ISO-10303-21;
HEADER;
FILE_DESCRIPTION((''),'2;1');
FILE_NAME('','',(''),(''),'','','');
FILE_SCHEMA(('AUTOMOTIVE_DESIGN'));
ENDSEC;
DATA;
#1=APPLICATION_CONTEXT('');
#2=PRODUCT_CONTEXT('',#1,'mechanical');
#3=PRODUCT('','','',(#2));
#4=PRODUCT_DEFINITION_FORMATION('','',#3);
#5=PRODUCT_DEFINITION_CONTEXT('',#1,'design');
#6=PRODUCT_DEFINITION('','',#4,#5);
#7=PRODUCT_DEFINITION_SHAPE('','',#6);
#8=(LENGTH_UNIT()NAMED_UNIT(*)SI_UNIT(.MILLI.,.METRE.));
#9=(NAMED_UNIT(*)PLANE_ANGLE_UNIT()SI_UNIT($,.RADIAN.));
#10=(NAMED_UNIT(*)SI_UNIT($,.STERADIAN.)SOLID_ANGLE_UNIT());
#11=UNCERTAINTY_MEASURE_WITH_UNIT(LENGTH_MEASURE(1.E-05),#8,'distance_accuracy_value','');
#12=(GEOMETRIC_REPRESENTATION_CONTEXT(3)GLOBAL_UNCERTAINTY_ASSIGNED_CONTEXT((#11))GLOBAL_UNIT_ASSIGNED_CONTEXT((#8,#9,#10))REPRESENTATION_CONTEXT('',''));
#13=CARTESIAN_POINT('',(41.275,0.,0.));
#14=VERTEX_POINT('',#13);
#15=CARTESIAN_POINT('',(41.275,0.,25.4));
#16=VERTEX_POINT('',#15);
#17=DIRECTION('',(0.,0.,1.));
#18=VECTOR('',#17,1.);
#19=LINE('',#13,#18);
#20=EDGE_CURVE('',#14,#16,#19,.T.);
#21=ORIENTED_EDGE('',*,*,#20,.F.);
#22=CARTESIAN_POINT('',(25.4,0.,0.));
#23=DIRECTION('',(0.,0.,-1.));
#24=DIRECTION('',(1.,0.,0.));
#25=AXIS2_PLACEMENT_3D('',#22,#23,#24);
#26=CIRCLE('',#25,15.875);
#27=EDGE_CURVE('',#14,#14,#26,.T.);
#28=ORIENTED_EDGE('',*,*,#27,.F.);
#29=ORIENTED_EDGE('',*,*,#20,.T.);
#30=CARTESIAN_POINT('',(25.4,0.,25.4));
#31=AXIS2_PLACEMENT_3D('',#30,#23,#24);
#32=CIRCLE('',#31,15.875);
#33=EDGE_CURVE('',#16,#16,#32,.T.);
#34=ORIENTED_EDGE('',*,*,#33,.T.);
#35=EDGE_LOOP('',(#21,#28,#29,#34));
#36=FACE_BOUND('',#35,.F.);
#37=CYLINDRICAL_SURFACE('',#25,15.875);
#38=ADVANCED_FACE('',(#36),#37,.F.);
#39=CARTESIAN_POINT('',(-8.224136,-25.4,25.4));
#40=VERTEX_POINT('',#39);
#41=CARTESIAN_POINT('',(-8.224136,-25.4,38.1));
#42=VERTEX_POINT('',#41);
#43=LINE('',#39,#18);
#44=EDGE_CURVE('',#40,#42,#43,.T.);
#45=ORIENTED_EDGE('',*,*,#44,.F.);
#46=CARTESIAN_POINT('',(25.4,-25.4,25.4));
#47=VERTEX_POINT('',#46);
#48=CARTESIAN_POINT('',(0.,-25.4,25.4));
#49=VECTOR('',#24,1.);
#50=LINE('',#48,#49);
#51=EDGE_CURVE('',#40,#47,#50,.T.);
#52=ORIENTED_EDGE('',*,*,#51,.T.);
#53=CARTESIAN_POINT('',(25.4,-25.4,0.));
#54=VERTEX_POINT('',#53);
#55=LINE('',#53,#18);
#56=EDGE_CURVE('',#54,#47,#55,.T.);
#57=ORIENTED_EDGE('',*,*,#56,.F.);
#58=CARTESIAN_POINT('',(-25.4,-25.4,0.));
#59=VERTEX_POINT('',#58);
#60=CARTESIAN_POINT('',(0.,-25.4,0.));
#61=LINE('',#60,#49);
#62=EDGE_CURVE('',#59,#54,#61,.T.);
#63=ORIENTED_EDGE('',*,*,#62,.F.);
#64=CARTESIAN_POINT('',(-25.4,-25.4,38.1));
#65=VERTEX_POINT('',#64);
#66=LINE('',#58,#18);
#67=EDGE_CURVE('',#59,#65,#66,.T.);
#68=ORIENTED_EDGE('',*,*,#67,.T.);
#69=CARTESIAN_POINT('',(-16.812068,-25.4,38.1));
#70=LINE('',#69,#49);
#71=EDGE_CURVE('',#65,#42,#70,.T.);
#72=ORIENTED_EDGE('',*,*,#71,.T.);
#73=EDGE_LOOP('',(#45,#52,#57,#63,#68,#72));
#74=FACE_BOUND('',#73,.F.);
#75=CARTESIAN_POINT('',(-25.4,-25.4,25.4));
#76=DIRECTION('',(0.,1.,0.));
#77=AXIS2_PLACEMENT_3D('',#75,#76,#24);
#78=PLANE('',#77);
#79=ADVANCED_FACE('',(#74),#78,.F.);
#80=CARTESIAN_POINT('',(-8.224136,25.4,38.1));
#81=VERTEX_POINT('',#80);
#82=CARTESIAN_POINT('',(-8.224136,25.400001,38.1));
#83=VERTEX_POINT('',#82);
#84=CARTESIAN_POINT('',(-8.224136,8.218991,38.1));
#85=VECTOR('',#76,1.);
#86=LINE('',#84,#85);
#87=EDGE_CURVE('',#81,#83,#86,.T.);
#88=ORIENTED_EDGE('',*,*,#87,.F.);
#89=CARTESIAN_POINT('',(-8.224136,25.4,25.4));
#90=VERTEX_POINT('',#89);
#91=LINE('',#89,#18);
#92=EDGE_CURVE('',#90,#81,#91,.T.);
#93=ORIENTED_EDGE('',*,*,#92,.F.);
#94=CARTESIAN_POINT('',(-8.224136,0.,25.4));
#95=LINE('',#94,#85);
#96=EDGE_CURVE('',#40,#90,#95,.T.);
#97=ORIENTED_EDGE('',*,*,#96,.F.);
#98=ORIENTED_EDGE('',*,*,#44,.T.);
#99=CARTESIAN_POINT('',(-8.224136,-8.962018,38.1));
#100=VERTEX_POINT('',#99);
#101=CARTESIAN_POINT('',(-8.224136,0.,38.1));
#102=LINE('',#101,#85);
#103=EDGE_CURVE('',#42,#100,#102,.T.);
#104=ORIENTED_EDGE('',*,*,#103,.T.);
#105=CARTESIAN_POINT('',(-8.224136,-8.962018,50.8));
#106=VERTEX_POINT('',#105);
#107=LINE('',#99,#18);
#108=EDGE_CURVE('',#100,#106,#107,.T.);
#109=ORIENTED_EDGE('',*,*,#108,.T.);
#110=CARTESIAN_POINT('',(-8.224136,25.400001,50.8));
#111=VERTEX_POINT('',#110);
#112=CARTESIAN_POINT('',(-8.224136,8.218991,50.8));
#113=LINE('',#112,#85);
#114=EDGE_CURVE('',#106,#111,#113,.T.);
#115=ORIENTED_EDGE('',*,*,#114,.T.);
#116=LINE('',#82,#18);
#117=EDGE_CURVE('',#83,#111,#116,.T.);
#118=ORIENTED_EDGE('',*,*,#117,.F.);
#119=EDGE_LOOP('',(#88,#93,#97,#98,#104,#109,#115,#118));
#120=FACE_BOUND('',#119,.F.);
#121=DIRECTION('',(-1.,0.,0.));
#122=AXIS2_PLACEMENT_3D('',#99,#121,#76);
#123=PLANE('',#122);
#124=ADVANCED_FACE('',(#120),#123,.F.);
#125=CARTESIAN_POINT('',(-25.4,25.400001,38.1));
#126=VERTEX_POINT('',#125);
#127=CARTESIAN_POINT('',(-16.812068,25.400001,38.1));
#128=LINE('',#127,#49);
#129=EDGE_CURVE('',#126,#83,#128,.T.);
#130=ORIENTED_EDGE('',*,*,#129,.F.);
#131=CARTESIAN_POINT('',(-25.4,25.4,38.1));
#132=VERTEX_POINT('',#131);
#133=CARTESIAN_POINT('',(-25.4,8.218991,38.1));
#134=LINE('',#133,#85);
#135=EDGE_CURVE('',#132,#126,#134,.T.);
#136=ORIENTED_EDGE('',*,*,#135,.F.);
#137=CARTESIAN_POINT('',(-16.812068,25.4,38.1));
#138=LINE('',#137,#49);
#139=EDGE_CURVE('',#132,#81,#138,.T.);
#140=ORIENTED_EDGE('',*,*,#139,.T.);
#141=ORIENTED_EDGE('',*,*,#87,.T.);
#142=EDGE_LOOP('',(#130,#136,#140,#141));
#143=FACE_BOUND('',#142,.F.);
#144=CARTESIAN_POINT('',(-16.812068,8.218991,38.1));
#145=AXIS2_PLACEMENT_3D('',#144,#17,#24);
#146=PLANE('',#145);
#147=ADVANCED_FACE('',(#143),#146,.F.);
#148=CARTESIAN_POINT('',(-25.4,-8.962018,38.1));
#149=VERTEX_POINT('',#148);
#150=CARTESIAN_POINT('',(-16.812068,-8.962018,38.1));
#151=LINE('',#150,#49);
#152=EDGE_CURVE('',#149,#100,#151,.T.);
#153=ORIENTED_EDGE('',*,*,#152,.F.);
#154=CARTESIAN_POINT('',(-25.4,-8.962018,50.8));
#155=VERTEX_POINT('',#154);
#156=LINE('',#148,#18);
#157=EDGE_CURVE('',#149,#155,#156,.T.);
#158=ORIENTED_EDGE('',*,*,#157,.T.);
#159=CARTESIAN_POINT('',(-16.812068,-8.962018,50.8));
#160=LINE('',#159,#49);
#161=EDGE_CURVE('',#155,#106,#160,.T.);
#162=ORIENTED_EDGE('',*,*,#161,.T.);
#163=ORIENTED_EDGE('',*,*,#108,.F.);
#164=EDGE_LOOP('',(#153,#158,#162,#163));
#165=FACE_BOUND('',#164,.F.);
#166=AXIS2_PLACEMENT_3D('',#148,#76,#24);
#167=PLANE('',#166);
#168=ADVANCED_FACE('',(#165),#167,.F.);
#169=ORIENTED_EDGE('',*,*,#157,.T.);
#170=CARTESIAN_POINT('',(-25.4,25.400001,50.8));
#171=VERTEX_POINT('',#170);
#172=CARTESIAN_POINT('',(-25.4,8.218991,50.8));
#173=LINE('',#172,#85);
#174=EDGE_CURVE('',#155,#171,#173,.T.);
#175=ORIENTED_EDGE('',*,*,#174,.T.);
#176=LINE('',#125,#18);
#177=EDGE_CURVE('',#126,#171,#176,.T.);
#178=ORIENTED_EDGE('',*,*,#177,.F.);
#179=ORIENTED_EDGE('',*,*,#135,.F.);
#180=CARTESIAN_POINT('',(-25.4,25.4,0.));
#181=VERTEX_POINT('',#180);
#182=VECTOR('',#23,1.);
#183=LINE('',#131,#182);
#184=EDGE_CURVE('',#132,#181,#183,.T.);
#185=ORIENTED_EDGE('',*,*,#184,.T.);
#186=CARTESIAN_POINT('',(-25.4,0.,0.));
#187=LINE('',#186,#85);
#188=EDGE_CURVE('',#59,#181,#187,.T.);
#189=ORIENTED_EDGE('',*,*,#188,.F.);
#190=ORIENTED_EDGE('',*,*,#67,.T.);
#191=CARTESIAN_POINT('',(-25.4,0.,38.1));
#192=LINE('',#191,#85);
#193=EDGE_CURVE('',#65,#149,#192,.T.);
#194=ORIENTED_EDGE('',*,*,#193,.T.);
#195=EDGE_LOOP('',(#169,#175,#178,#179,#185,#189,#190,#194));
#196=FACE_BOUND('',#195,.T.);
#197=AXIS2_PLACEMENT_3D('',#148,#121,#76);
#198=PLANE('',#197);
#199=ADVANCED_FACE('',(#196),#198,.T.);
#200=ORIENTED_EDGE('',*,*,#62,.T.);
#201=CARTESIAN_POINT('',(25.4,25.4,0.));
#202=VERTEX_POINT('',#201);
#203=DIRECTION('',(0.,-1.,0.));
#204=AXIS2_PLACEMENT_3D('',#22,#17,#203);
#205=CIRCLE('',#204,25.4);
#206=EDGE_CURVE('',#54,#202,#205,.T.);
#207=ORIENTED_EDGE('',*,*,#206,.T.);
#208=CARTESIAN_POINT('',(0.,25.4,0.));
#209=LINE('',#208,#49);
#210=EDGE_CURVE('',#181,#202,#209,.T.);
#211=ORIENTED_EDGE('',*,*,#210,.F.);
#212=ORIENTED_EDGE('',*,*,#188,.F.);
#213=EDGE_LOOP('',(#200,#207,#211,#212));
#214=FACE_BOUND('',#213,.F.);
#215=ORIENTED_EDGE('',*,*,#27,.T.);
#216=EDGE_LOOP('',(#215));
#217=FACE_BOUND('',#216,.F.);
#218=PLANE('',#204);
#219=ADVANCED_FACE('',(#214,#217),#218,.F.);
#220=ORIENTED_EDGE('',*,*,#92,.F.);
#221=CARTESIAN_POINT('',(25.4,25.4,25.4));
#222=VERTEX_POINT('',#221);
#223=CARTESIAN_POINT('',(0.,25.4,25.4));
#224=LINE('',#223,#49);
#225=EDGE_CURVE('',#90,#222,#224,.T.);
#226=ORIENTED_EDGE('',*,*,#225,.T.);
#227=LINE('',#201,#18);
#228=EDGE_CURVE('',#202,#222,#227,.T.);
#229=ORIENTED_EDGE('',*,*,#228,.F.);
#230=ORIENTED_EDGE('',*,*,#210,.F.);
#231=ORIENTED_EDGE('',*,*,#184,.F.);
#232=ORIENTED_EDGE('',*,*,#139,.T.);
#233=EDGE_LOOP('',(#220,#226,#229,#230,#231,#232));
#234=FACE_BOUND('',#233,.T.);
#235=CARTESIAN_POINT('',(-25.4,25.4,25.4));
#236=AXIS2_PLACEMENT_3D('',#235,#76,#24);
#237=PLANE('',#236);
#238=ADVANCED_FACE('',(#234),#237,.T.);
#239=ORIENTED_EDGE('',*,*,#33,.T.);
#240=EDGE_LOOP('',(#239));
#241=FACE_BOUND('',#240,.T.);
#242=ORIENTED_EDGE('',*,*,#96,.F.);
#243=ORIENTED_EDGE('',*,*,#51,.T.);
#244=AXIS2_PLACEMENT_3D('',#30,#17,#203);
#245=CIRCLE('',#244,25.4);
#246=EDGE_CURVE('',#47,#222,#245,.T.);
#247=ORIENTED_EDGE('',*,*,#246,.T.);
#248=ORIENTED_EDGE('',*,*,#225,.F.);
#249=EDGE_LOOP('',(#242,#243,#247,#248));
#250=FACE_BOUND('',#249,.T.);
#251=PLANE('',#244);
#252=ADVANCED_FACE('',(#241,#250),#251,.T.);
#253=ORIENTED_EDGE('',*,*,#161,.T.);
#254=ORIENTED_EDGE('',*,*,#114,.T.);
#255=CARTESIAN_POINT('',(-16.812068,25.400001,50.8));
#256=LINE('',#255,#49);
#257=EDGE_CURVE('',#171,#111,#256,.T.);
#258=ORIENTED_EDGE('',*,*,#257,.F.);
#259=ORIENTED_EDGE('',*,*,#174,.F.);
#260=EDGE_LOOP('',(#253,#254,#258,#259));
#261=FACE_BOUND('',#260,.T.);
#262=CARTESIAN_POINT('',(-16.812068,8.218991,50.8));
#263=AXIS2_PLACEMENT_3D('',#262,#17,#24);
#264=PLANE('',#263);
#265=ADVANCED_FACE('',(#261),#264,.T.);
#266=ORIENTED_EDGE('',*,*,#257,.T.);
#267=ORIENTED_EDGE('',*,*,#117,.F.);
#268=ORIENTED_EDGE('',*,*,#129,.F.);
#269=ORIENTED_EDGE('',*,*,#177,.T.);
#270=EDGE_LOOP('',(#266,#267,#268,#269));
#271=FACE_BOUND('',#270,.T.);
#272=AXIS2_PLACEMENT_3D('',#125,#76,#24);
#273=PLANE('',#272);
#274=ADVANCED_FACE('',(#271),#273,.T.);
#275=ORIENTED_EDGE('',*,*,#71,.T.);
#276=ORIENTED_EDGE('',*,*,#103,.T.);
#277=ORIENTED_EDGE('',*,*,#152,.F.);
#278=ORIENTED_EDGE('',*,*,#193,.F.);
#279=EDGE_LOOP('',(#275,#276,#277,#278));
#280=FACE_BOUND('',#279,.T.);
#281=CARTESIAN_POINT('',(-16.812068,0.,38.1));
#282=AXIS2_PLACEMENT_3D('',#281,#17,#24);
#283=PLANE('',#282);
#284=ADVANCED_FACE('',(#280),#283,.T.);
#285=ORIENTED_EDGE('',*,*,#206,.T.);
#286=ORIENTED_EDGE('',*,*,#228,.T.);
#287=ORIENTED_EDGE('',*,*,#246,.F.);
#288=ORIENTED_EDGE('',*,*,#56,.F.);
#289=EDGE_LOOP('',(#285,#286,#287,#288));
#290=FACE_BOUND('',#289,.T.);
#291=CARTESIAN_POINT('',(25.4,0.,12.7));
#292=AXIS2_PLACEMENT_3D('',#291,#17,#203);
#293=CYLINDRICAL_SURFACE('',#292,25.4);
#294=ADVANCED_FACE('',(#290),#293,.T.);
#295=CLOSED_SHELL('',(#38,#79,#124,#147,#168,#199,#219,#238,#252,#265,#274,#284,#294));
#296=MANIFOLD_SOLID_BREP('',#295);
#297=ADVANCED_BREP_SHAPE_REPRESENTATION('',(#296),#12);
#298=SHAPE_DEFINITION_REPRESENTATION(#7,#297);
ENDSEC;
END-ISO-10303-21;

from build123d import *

# Parameters (mm, degrees)
F0_W     = 50.8
F0_H     = 50.8
F1_DEPTH = 25.4
F2_W     = 25.4
F2_H     = 25.4
F4_R     = 15.875
F5_DEPTH = 25.401
F6_W     = 17.175864
F6_H     = 50.8
F7_DEPTH = 12.7
F8_W     = 17.175864
F8_H     = 34.362019
F9_DEPTH = 12.7


with BuildPart() as f1:
    # F0 (on Top) → F1 (new body)
    with BuildSketch(Plane.XY):
        Rectangle(F0_W, F0_H)
    extrude(amount=F1_DEPTH)

    # F2 (on face) → F3 (revolve)
    with BuildSketch(Plane.YZ.offset(25.4)):
        with Locations((-12.7, 12.7)):
            Rectangle(F2_W, F2_H)
    revolve(axis=Axis((25.4, 0, 12.7), (0, 0, 1)))

    # F4 (on face) → F5 (cut, through all)
    with BuildSketch(Plane(origin=(0, 0, 0), x_dir=(1, 0, 0), z_dir=(0, 0, -1))):
        with Locations((25.4, 0)):
            Circle(F4_R)
    extrude(amount=-F5_DEPTH, mode=Mode.SUBTRACT)

    # F6 (on face) → F7 (join)
    with BuildSketch(Plane.XY.offset(25.4)):
        with Locations((-16.812068, 0)):
            Rectangle(F6_W, F6_H)
    extrude(amount=F7_DEPTH)

    # F8 (on face) → F9 (join)
    with BuildSketch(Plane.XY.offset(38.1)):
        with Locations((-16.812068, 8.218991)):
            Rectangle(F8_W, F8_H)
    extrude(amount=F9_DEPTH)


solid = f1.part
